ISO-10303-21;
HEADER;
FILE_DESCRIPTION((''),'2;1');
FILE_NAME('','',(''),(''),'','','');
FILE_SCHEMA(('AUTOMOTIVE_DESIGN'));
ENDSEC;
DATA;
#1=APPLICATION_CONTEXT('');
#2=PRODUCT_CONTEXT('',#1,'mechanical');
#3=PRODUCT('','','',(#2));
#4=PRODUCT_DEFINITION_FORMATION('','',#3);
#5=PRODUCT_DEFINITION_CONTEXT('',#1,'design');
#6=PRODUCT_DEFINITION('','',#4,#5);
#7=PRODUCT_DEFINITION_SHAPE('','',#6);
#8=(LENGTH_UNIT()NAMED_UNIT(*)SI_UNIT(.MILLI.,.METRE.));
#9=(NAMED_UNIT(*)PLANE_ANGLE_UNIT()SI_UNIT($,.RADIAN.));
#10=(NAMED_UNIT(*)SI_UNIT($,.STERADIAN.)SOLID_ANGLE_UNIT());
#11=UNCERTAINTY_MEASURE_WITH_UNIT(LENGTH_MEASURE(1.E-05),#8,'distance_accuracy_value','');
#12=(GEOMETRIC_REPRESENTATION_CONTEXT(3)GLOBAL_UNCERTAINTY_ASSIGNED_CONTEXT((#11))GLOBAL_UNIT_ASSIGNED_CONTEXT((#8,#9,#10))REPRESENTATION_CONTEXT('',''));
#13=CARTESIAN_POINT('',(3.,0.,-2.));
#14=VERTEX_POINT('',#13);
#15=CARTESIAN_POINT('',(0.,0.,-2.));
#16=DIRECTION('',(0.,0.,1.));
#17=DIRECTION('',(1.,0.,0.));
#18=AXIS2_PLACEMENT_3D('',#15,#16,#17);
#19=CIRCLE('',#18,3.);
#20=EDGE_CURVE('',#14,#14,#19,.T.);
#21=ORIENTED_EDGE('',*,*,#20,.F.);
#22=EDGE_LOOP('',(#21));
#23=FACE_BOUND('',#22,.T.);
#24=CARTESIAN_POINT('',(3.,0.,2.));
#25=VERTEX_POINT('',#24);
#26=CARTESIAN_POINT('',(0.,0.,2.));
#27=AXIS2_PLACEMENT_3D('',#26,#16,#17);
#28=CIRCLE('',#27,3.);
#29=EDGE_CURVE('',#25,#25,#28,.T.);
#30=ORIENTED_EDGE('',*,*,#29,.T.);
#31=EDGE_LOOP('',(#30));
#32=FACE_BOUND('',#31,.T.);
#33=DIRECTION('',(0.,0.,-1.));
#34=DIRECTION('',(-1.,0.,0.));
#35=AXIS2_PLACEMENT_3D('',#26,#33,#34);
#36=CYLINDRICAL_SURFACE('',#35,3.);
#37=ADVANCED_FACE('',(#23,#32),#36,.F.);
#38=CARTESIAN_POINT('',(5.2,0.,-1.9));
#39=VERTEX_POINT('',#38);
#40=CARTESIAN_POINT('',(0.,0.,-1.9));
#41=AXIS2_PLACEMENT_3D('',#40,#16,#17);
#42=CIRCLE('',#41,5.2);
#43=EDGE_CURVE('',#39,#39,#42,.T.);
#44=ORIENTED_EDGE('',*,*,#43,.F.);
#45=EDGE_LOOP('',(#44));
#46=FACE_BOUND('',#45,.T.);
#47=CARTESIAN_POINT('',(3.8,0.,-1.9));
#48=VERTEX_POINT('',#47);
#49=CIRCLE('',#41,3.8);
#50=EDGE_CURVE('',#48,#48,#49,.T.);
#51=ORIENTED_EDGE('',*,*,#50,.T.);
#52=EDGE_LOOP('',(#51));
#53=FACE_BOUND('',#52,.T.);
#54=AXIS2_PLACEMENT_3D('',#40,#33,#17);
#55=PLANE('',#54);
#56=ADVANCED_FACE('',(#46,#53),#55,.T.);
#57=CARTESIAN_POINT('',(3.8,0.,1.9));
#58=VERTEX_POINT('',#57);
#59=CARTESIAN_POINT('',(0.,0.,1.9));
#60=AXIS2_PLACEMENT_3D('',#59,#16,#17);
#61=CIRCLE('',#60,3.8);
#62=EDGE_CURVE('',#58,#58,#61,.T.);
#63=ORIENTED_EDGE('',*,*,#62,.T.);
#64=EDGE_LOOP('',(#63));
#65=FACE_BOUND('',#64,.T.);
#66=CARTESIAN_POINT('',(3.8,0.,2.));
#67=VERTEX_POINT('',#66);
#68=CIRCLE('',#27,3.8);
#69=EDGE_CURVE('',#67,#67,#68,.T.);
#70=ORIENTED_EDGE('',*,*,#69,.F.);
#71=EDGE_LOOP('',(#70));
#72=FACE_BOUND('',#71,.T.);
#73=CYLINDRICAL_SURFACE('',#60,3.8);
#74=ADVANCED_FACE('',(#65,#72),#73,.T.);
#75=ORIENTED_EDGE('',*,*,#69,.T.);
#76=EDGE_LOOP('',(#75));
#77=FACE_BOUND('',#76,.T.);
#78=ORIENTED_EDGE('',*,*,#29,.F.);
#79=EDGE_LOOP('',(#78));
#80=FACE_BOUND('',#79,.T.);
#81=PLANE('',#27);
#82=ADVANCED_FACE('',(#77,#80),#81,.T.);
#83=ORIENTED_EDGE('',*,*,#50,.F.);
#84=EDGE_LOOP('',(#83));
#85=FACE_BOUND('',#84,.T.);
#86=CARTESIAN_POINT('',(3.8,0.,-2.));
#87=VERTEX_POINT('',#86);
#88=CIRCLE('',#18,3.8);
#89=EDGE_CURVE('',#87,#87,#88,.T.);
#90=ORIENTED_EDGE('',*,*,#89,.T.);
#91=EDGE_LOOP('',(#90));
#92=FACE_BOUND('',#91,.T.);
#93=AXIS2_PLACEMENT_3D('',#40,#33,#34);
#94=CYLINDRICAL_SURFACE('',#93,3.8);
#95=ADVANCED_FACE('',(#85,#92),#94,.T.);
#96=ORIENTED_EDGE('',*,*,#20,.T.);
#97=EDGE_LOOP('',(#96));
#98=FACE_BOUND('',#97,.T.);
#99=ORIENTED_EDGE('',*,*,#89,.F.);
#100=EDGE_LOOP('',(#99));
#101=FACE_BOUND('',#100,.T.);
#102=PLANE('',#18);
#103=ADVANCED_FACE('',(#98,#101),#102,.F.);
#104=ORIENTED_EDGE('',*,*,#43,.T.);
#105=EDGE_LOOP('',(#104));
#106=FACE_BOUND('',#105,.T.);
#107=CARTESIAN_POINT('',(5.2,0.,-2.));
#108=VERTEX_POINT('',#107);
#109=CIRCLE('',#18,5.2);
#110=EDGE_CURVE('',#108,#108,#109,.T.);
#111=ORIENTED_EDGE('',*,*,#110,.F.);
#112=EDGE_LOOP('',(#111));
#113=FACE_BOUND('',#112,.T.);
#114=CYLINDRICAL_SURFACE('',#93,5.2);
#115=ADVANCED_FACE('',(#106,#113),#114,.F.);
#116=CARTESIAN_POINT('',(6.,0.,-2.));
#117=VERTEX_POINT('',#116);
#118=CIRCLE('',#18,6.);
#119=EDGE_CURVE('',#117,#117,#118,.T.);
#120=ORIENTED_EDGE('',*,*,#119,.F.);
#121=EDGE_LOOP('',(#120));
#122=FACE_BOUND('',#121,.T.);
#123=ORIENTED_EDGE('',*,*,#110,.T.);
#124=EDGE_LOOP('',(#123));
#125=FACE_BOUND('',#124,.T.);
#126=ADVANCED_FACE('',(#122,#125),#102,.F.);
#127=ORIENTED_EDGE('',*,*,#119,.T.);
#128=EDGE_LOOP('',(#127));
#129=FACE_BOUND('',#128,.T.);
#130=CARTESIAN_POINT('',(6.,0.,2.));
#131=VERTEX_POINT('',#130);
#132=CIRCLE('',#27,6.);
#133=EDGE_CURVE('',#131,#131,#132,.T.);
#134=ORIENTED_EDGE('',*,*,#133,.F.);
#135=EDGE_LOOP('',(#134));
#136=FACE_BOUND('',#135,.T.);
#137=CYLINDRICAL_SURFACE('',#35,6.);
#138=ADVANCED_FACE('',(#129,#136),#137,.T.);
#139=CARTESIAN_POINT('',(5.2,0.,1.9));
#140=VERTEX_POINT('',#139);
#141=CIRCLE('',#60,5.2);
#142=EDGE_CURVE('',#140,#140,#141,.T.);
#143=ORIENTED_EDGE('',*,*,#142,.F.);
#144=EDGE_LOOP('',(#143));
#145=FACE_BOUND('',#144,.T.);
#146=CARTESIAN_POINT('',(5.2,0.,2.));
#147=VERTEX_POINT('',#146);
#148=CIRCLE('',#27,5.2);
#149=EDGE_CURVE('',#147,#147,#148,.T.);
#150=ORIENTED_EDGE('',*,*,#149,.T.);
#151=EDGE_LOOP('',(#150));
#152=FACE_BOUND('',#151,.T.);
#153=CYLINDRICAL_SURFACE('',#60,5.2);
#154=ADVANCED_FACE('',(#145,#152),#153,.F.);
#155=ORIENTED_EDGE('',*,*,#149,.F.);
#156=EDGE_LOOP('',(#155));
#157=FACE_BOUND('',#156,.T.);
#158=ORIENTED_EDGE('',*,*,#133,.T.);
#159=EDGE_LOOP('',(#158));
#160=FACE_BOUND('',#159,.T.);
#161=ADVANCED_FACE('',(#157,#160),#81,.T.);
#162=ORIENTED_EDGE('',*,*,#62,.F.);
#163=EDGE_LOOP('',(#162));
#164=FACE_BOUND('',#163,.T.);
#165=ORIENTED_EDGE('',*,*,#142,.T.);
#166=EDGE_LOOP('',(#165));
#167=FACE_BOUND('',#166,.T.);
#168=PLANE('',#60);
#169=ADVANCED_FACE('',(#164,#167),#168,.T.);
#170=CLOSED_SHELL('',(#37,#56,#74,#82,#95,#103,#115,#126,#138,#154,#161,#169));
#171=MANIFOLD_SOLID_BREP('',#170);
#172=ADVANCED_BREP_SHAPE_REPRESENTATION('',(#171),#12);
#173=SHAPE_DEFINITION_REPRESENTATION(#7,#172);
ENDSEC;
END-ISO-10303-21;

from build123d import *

# Parameters (mm, degrees)
SKETCH1_R           = 6
SKETCH1_R_2         = 3
BOSS_EXTRUDE1_DEPTH = 2
SKETCH2_R           = 5.2
SKETCH2_R_2         = 3.8
CUT_EXTRUDE1_DEPTH  = 0.1


with BuildPart() as part:
    # Sketch1 → Boss-Extrude1 (new, symmetric)
    with BuildSketch(Plane.XY):
        Circle(SKETCH1_R)
        Circle(SKETCH1_R_2, mode=Mode.SUBTRACT)
    extrude(amount=BOSS_EXTRUDE1_DEPTH, both=True)

    # Sketch2 → Cut-Extrude1 (cut)
    with BuildSketch(Plane.XY.offset(2)):
        Circle(SKETCH2_R)
        Circle(SKETCH2_R_2, mode=Mode.SUBTRACT)
    cut_extrude1 = extrude(amount=-CUT_EXTRUDE1_DEPTH, mode=Mode.SUBTRACT)

    # Mirror1: Cut-Extrude1 across plane
    add(cut_extrude1.mirror(Plane.XY), mode=Mode.SUBTRACT)


solid = part.part
